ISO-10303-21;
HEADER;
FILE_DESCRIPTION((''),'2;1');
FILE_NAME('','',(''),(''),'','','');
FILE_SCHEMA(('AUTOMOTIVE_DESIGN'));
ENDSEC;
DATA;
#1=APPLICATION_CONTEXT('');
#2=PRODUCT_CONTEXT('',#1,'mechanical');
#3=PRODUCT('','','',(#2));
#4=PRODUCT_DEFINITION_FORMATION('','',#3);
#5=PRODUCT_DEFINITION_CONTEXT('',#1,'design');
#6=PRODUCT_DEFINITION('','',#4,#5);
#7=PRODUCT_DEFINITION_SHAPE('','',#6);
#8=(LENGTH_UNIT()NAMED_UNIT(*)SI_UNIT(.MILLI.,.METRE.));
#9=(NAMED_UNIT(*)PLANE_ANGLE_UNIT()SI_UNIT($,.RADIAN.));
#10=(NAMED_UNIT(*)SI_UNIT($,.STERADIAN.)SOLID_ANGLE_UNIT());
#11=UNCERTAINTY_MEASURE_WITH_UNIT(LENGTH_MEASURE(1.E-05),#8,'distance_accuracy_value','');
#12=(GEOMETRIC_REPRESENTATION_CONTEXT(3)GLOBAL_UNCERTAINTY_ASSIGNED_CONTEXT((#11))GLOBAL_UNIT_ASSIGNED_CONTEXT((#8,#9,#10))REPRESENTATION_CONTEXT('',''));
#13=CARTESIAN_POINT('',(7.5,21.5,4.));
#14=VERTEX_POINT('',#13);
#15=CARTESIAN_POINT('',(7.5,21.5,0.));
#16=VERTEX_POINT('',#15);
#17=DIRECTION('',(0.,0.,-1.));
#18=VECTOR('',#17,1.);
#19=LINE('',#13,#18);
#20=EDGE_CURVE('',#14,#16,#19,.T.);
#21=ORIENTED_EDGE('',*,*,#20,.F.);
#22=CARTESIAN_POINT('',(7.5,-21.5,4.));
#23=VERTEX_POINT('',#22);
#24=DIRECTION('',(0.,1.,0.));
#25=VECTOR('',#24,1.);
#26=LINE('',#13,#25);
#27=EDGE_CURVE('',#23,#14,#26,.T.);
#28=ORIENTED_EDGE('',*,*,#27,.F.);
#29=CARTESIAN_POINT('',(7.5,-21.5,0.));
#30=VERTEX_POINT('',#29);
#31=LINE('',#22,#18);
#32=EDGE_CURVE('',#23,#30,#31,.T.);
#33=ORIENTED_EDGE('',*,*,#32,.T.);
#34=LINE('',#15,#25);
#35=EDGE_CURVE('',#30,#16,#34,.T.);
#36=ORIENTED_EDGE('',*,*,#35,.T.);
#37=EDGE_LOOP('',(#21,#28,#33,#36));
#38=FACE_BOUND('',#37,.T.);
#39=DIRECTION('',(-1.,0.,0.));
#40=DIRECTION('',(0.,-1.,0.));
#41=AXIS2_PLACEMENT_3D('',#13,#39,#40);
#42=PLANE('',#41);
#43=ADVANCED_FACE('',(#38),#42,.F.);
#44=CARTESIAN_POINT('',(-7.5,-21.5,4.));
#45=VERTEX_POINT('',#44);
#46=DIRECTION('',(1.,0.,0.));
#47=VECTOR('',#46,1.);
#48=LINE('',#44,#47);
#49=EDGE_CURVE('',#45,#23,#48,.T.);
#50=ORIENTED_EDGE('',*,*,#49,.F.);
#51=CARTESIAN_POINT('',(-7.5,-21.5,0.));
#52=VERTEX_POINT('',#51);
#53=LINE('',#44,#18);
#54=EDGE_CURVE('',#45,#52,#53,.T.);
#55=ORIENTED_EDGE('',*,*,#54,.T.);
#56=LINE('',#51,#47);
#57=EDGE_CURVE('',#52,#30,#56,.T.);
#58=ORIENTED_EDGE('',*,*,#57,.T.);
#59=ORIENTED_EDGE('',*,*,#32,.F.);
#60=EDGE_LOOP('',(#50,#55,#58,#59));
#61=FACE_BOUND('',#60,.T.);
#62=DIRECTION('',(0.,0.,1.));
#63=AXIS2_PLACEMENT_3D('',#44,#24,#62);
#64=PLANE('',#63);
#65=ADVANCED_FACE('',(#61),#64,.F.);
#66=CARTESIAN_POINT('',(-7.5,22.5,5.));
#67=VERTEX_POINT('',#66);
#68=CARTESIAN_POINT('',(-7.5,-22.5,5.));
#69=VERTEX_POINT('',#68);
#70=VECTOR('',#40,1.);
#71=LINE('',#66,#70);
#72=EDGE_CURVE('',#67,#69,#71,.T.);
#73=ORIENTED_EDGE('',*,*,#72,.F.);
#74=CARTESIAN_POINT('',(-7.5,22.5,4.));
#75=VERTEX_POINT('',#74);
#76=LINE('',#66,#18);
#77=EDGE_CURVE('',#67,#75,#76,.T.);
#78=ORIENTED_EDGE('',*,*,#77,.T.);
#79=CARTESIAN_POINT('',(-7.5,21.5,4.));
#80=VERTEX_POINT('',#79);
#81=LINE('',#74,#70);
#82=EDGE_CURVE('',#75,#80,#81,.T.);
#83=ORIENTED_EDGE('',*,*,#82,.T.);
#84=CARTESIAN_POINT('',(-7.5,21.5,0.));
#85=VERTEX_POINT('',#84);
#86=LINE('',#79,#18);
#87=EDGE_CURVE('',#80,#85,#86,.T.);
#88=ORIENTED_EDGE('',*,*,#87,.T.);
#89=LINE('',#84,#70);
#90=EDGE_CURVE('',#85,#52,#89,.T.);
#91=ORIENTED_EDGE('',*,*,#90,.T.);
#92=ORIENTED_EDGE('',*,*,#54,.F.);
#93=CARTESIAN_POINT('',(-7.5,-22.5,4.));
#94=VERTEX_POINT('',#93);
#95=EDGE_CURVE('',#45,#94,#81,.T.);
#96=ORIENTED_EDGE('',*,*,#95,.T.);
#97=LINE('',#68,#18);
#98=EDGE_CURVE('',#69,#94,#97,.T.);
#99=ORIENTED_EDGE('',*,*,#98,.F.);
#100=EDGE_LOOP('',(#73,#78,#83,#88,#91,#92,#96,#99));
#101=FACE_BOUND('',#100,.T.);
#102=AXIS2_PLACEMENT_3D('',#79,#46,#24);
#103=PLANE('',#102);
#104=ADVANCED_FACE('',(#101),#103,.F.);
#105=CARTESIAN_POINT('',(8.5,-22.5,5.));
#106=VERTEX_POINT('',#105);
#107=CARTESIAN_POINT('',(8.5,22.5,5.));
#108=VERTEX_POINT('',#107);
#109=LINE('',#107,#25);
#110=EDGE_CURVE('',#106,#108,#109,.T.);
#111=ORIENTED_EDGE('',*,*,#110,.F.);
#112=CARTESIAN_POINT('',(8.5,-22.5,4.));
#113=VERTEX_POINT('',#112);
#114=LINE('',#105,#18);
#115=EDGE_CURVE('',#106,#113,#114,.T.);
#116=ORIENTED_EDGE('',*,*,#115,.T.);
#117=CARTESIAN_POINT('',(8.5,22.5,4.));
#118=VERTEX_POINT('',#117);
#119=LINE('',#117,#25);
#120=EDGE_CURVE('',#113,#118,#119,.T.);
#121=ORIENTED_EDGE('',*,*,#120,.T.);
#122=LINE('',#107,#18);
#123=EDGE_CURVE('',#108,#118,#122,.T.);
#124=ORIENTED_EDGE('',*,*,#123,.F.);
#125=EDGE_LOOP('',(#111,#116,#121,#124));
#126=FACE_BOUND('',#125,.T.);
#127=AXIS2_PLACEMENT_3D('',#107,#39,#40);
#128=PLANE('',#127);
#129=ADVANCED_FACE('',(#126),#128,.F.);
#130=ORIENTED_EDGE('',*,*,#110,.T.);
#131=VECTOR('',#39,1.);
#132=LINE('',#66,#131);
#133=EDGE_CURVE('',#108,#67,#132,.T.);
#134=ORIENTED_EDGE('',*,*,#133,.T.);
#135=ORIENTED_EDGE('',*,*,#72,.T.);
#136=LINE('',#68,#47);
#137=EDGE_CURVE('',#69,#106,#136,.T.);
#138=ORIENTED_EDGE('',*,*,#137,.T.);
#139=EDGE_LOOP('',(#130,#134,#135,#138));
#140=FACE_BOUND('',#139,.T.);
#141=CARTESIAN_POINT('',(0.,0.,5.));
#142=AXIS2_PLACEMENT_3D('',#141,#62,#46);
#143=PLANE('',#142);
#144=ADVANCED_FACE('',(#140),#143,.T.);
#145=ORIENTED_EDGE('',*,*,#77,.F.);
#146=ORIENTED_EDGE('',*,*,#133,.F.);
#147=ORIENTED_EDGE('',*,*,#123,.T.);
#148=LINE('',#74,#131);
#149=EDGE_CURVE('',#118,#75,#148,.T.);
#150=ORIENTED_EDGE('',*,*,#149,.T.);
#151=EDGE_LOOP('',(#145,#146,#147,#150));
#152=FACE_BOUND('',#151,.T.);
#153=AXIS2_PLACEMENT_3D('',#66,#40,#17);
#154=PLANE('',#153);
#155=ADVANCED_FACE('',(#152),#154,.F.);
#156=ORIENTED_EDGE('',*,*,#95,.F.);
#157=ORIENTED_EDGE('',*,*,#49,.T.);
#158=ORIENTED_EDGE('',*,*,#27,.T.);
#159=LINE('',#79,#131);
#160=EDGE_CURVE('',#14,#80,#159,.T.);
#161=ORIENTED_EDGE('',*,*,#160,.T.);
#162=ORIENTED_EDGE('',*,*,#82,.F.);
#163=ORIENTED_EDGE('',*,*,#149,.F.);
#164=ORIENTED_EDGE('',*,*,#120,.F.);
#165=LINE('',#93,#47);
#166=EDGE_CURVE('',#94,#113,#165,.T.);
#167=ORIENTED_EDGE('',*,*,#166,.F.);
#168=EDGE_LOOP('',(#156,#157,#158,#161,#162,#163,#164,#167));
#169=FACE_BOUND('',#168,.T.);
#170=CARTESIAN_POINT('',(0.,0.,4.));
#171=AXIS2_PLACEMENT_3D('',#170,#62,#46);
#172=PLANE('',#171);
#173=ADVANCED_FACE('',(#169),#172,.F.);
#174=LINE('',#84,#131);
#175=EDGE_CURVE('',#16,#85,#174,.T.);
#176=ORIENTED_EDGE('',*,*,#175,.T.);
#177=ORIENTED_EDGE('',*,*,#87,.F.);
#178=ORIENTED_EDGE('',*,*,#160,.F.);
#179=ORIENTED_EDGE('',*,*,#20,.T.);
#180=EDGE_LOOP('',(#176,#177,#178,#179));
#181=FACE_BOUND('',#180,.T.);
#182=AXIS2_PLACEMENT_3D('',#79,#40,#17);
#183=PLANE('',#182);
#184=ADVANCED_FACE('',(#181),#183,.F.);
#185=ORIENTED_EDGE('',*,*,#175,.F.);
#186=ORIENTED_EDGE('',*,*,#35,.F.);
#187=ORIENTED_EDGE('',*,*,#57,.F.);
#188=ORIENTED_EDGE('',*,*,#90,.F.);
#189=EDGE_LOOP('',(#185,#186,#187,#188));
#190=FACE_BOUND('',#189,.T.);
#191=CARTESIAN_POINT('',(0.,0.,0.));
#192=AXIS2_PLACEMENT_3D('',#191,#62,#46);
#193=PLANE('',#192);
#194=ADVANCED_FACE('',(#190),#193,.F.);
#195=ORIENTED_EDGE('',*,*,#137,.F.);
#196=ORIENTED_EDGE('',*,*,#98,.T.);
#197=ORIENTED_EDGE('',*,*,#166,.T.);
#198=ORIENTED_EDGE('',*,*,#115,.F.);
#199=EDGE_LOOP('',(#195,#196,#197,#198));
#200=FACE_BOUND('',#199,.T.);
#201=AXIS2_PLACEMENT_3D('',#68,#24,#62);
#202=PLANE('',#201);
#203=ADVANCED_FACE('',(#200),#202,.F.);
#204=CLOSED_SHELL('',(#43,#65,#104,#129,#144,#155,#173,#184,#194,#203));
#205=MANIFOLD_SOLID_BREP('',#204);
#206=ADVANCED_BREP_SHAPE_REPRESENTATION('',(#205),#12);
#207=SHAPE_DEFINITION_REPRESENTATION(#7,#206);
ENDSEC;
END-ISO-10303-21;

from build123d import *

# Parameters (mm, degrees)
SKETCH_1_W      = 15
SKETCH_1_H      = 43
EXTRUDE_1_DEPTH = 4
SKETCH_2_W      = 16
SKETCH_2_H      = 45
EXTRUDE_2_DEPTH = 1


with BuildPart() as part:
    # 草图1 → 凸台-拉伸1 (new body)
    with BuildSketch(Plane.XY):
        Rectangle(SKETCH_1_W, SKETCH_1_H)
    extrude(amount=EXTRUDE_1_DEPTH)

    # 草图2 → 凸台-拉伸2 (add)
    with BuildSketch(Plane.XY.offset(4)):
        with Locations((0.5, 0)):
            Rectangle(SKETCH_2_W, SKETCH_2_H)
    extrude(amount=EXTRUDE_2_DEPTH)


solid = part.part
